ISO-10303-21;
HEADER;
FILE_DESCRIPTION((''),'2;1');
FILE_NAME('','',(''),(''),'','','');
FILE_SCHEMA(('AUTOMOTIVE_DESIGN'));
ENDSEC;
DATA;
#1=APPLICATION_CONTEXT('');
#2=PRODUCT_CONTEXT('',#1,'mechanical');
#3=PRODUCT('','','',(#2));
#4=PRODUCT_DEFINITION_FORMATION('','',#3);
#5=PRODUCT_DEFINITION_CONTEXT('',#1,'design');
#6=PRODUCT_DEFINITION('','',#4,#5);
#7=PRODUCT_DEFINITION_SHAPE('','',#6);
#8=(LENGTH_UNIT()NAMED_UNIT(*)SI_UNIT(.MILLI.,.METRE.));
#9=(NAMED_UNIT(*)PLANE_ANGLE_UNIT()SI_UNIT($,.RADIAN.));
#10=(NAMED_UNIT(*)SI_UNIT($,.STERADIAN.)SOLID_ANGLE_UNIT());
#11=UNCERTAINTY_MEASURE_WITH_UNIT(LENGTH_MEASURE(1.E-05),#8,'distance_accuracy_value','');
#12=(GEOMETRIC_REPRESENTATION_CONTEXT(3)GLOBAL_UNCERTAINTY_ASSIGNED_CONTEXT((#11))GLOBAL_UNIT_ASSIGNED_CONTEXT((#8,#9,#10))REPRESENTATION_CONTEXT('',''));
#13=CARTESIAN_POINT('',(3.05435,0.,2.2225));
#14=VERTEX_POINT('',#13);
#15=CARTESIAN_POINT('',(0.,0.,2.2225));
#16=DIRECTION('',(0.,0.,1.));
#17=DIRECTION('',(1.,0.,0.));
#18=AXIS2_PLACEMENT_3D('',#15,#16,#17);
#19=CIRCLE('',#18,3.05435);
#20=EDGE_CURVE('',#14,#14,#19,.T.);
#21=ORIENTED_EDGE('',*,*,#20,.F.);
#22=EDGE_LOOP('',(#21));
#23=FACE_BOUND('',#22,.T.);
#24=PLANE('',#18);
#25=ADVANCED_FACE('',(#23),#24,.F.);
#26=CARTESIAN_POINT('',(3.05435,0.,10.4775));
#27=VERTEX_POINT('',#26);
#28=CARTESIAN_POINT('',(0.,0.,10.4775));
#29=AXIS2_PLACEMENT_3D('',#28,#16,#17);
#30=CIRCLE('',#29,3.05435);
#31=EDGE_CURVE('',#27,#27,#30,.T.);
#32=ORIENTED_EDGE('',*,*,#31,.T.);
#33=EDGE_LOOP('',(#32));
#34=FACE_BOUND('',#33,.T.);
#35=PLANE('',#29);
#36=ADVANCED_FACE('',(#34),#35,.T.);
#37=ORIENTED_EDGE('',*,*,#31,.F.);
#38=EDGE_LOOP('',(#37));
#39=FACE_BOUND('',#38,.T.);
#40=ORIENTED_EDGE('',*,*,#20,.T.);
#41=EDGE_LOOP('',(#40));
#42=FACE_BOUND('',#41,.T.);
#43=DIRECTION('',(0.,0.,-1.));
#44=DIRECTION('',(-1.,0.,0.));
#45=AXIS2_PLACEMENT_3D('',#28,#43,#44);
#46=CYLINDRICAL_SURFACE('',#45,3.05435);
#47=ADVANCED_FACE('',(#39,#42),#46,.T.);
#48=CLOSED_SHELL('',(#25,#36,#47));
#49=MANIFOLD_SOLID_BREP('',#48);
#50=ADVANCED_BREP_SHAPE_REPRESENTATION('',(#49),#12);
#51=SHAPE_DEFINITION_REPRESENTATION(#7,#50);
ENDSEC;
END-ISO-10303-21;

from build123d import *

# Parameters (mm, degrees)
SKETCH2_R           = 4.699
BOSS_EXTRUDE1_DEPTH = 12.7
SCALE1_SCALE        = 0.65


with BuildPart() as part:
    # Sketch2 → Boss-Extrude1 (new body)
    with BuildSketch(Plane.XY):
        Circle(SKETCH2_R)
    extrude(amount=BOSS_EXTRUDE1_DEPTH)


with BuildPart() as part_1:
    # Scale1: scaled about (0, 0, 6.35)
    add(part.part.scale(SCALE1_SCALE).moved(Location((0, 0, 2.2225))))


solid = part_1.part
